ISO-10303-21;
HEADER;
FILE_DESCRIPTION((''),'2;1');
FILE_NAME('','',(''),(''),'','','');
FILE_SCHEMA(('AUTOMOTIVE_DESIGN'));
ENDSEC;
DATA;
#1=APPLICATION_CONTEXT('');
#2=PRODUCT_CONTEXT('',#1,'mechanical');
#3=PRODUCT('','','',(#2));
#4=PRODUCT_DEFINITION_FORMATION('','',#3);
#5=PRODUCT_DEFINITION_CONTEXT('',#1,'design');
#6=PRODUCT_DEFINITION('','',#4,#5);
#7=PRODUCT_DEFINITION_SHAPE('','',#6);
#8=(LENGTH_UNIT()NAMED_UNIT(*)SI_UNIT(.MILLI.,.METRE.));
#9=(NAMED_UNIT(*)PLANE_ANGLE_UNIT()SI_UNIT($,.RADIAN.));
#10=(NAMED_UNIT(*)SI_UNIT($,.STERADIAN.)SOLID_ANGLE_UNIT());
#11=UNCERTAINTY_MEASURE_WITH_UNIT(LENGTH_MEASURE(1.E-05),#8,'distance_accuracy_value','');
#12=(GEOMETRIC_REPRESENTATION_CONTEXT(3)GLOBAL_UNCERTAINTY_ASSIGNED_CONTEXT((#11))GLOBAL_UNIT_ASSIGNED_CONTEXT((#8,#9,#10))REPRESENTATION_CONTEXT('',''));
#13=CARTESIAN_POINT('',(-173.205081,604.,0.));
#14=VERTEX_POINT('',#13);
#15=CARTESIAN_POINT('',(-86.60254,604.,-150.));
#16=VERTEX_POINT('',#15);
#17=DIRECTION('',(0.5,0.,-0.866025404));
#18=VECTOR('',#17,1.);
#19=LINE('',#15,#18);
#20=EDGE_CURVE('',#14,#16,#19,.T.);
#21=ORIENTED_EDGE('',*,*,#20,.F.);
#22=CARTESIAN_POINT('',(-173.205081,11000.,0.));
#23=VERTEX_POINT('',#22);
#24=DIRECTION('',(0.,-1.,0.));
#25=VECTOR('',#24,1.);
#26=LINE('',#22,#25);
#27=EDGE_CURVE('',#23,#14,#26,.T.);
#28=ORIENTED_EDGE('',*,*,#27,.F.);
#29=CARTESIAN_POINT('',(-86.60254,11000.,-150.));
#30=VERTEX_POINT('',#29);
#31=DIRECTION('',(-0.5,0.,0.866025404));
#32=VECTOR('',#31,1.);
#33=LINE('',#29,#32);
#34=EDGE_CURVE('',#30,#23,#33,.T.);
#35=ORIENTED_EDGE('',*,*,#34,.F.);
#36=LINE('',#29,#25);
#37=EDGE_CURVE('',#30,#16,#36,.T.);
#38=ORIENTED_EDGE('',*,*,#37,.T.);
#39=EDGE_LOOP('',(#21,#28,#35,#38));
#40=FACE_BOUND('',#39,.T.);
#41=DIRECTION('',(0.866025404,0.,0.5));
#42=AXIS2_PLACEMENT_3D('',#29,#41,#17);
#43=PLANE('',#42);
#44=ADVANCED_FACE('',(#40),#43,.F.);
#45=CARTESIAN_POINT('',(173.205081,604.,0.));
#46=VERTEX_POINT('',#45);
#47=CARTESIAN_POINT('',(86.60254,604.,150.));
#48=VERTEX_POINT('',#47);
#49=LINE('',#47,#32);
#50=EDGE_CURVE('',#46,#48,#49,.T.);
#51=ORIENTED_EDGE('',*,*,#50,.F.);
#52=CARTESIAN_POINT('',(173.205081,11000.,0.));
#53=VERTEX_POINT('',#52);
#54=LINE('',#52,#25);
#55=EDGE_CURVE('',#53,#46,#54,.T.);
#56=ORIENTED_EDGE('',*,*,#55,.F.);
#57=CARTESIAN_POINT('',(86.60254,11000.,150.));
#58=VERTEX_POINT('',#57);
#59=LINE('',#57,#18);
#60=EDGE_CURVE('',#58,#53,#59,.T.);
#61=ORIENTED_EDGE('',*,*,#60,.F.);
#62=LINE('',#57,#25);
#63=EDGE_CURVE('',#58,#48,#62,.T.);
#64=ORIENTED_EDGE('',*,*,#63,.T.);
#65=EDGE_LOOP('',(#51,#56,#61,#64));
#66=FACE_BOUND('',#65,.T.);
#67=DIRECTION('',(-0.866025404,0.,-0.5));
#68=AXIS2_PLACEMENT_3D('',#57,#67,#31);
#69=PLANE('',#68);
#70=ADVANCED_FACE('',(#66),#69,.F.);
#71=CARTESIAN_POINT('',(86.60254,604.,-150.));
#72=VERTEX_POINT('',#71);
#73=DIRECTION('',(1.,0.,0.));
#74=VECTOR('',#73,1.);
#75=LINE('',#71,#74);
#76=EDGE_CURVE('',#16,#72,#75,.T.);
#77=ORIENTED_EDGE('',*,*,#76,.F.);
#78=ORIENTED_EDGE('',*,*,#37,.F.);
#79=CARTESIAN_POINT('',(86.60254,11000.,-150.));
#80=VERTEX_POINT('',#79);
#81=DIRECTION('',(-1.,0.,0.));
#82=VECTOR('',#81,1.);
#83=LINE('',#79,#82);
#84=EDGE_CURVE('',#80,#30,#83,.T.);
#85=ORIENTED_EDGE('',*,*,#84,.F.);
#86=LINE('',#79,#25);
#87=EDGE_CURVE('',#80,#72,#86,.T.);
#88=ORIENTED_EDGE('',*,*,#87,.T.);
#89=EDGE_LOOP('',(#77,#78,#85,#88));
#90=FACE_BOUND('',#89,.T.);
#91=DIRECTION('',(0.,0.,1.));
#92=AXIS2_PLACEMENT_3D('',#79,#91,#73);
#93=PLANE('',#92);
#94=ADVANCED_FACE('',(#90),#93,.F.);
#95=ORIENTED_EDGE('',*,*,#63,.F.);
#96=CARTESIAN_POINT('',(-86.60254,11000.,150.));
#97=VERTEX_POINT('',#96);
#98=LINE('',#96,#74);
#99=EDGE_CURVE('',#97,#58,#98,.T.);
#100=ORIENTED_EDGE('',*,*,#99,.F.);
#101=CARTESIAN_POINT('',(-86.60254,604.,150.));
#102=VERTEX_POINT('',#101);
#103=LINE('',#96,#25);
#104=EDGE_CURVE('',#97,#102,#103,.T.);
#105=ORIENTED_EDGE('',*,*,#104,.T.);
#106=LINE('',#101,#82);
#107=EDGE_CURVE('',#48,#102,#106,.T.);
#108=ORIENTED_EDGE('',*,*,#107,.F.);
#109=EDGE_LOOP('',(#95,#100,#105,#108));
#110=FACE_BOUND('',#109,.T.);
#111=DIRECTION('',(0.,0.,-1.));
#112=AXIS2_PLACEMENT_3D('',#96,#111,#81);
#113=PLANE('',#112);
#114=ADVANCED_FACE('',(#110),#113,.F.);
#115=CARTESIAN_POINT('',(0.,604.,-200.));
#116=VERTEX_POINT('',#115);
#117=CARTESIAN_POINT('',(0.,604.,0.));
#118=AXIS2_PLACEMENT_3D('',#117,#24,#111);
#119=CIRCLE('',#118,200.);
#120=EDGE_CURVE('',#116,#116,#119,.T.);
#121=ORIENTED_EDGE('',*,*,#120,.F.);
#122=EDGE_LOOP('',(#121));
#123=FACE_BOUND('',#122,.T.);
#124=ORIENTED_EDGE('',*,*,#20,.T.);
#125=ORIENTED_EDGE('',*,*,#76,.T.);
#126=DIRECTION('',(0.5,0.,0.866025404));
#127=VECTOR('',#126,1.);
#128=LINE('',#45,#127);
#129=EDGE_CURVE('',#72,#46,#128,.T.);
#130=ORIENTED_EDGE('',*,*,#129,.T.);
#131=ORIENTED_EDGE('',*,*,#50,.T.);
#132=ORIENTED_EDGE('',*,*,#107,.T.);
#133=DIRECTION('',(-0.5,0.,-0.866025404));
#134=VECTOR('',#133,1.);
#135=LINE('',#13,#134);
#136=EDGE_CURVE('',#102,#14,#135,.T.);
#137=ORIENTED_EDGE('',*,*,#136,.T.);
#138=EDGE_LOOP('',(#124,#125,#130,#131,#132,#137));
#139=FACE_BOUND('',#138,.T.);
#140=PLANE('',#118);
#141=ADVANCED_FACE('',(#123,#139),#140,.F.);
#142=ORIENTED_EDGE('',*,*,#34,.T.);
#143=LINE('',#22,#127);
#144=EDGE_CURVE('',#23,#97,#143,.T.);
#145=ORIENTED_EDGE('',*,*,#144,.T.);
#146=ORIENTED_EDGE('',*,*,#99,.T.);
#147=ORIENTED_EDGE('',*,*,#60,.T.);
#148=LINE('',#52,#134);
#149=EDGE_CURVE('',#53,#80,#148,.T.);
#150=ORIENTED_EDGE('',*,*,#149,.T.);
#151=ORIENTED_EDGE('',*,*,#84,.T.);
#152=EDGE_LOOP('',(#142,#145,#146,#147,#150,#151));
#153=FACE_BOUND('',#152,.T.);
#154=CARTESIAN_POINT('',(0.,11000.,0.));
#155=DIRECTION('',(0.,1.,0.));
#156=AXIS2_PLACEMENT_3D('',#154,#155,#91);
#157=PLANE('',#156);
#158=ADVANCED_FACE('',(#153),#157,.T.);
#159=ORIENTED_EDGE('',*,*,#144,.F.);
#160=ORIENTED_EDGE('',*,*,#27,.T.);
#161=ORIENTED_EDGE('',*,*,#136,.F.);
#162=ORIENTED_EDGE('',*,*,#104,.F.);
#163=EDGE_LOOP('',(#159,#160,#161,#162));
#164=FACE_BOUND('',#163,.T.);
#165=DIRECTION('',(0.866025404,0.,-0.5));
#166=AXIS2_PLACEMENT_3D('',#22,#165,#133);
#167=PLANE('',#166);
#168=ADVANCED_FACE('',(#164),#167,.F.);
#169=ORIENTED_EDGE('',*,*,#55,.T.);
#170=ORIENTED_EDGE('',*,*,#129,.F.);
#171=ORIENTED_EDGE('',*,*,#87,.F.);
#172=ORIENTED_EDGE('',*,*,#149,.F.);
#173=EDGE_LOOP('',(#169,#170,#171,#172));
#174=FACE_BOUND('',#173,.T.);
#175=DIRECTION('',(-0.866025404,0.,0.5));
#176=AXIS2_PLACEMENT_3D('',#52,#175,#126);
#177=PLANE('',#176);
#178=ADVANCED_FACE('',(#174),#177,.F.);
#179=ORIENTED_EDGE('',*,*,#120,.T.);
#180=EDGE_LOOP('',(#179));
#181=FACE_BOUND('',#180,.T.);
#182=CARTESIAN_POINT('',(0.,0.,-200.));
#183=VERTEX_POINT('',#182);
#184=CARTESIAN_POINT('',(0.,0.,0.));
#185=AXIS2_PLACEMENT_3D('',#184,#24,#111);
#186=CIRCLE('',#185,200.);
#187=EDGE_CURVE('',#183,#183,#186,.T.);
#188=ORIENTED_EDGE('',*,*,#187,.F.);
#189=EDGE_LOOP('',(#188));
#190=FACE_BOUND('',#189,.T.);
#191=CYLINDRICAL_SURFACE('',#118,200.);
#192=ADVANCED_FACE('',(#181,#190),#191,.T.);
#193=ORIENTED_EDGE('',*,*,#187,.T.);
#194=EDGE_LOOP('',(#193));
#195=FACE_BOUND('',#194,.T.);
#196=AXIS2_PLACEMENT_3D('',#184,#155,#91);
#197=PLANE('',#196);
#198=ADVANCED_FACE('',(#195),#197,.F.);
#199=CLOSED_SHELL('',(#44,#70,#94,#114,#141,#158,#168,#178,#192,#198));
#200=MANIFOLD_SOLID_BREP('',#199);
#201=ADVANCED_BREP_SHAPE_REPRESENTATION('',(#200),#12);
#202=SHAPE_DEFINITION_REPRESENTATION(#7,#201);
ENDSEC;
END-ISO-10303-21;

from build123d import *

# Parameters (mm, degrees)
SALIENTE_EXTRUIR1_DEPTH = 11000
CROQUIS2_R              = 200
SALIENTE_EXTRUIR2_DEPTH = 604


with BuildPart() as part:
    # Croquis1 → Saliente-Extruir1 (new body)
    with BuildSketch(Plane(origin=(0, 0, 0), x_dir=(1, 0, 0), z_dir=(0, 1, 0))):
        Polygon((173.205080757, 0), (86.602540378, 150), (-86.602540378, 150), (-173.205080757, 0), (-86.602540378, -150), (86.602540378, -150), align=None)
    extrude(amount=SALIENTE_EXTRUIR1_DEPTH)

    # Croquis2 → Saliente-Extruir2 (add)
    with BuildSketch(Plane.XZ):
        with Locations(Location((0, 0, 0), (0, 0, 270))):
            Circle(CROQUIS2_R)
    extrude(amount=-SALIENTE_EXTRUIR2_DEPTH)


solid = part.part
